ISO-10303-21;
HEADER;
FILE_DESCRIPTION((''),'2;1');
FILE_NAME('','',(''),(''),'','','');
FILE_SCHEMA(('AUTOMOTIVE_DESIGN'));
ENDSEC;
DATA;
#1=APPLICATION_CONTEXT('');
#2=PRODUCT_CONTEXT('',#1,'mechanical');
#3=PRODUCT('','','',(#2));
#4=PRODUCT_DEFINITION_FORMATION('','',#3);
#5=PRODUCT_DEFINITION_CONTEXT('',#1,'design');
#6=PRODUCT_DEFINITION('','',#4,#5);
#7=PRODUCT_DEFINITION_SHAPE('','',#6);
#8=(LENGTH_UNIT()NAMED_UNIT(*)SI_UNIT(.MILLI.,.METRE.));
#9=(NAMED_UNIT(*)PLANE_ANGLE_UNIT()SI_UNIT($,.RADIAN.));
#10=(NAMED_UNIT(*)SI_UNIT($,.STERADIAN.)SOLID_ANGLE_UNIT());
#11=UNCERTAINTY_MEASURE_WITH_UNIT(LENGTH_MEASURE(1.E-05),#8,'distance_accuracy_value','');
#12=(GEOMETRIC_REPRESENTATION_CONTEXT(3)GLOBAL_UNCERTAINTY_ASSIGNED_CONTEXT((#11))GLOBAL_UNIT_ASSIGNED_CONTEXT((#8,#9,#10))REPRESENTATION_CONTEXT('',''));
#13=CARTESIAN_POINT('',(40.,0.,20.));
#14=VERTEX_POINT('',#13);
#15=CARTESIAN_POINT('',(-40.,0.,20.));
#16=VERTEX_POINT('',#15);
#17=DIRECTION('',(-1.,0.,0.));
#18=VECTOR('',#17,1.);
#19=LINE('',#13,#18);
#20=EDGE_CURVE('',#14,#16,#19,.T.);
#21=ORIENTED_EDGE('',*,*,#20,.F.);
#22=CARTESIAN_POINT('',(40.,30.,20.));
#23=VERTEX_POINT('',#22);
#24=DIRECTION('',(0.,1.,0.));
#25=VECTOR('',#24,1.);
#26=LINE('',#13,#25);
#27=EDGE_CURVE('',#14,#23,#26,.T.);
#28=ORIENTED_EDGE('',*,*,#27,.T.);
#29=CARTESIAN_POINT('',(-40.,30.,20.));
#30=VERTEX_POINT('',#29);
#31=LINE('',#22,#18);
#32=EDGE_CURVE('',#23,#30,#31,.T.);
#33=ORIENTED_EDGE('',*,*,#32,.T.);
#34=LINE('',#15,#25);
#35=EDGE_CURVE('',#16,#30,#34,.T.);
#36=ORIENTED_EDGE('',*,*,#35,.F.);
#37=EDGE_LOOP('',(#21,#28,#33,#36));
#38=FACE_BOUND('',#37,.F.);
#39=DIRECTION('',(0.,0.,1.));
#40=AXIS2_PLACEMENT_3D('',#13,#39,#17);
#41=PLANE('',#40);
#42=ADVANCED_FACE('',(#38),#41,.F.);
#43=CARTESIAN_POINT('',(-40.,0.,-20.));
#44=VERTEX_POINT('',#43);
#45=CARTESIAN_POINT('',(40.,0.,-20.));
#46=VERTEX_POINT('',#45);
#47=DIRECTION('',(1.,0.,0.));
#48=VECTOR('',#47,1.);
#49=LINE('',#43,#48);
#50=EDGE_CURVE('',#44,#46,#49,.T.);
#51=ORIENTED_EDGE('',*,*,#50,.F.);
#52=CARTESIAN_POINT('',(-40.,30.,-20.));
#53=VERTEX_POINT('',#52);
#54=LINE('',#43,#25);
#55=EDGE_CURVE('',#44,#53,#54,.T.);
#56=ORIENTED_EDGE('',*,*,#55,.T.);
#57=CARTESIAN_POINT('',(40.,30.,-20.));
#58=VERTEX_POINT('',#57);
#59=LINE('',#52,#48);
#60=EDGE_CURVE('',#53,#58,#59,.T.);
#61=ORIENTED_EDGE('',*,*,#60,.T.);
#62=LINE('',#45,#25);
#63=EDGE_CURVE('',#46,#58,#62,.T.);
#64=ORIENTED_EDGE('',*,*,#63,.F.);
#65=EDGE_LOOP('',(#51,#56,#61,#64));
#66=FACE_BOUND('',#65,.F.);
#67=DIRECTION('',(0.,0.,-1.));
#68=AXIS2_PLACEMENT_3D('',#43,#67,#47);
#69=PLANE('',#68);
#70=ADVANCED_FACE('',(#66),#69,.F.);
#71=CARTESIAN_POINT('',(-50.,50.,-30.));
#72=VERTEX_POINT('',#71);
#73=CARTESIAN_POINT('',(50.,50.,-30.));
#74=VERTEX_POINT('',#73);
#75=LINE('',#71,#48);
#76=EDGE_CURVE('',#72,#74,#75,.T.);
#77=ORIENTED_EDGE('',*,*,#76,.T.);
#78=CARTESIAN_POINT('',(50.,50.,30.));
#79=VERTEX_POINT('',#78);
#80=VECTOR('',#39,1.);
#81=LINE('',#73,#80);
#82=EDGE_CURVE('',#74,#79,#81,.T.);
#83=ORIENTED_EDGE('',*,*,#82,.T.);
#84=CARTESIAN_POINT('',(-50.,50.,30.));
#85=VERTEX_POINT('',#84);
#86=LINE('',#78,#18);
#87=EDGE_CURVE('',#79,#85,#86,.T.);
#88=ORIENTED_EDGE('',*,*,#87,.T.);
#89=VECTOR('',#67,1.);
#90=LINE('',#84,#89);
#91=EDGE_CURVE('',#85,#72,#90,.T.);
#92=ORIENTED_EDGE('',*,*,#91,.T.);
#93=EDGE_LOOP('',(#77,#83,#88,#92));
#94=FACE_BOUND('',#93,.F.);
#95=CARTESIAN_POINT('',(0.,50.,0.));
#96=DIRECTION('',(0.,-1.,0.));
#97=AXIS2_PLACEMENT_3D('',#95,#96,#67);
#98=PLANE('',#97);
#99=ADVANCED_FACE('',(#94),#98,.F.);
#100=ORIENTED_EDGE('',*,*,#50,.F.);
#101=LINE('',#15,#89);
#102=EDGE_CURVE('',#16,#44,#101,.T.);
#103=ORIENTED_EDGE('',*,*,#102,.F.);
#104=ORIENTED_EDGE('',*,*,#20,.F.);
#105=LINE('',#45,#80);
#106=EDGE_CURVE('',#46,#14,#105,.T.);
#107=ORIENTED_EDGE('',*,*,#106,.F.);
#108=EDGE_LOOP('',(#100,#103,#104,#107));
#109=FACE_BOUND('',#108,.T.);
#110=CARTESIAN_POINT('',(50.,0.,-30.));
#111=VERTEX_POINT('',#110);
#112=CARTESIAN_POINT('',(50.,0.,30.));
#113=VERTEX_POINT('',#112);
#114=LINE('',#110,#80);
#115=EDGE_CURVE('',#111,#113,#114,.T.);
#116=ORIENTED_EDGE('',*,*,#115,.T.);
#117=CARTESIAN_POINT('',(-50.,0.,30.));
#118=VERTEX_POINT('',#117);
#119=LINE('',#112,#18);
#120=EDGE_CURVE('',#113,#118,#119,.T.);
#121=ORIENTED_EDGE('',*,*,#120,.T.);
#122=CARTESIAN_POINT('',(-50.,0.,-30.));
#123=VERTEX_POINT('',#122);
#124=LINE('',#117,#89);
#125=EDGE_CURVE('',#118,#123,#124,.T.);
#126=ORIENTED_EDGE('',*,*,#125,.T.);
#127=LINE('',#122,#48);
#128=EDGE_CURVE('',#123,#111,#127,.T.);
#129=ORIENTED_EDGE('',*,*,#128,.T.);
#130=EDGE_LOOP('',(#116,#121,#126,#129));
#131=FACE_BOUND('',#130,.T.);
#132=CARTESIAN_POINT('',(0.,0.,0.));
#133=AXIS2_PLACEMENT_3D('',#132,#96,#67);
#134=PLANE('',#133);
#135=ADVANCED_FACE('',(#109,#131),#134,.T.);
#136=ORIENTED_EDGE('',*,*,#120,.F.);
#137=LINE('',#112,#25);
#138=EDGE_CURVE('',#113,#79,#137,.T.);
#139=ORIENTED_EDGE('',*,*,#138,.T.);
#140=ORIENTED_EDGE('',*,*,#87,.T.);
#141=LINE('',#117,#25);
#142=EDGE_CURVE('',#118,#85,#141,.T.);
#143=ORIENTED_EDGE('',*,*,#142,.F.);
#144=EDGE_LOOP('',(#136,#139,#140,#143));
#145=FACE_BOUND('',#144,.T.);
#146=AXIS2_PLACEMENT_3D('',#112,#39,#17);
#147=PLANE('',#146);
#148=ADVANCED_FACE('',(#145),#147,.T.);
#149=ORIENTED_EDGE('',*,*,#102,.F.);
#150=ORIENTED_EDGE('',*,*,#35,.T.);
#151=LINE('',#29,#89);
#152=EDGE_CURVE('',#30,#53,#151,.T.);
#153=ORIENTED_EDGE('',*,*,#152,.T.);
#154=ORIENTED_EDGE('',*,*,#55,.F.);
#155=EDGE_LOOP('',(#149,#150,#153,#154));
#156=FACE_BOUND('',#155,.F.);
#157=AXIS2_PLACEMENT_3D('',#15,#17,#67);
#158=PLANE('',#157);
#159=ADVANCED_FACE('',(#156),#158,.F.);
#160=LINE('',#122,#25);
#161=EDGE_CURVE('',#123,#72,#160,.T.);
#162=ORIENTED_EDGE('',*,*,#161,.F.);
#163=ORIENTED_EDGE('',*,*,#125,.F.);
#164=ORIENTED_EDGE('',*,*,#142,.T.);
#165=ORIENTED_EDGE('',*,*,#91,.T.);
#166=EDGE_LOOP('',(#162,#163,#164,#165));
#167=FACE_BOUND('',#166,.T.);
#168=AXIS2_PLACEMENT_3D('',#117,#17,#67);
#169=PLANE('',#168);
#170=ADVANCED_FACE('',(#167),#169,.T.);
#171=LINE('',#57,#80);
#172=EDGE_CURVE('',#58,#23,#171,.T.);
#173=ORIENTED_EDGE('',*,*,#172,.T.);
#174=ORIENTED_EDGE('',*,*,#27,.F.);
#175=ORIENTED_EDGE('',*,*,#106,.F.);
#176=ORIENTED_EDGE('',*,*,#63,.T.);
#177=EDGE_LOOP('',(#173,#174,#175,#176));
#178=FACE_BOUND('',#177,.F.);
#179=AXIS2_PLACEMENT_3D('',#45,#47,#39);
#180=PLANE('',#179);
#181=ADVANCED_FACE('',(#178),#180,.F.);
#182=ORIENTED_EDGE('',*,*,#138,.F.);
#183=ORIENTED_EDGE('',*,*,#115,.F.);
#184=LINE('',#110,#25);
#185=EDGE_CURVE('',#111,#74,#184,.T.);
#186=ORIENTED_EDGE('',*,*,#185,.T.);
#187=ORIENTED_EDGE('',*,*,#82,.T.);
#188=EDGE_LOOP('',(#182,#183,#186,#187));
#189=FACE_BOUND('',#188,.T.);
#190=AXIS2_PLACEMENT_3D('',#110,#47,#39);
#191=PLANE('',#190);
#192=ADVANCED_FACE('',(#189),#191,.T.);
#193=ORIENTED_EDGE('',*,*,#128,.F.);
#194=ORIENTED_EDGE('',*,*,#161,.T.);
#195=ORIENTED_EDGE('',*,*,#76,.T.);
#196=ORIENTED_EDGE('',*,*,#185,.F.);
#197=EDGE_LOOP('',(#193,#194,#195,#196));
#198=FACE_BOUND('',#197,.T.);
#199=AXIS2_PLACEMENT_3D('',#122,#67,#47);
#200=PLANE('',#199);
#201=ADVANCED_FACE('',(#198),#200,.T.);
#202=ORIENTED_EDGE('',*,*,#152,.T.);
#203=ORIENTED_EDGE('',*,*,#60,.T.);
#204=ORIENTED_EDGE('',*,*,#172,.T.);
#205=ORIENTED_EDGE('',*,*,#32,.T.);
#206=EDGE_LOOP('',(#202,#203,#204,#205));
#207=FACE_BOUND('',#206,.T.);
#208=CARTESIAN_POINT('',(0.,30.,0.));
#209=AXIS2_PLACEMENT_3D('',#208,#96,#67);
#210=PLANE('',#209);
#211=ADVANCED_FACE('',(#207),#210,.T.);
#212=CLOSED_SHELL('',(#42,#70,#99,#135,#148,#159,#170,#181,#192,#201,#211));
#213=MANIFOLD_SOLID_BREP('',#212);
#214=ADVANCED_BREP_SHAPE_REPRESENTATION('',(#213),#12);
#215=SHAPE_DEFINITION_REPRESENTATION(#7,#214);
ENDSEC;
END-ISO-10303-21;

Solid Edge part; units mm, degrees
sketch "Sketch1" plane through (0, 0, 0) normal (0, -1, 0) x (1, 0, 0)
  line L0 (-50, -30) -> (50, -30)
  line L1 (50, -30) -> (50, 30)
  line L2 (50, 30) -> (-50, 30)
  line L3 (-50, 30) -> (-50, -30)
  dimension "D1" = 100
extrude "Protrusion1" add sketch "Sketch1" against normal blind 50
sketch "Sketch2" plane through (0, 0, 0) normal (0, -1, 0) x (1, 0, 0)
  line L0 (-40, -20) -> (40, -20)
  line L1 (40, -20) -> (40, 20)
  line L2 (40, 20) -> (-40, 20)
  line L3 (-40, 20) -> (-40, -20)
  dimension "D1" = 80
  dimension "D2" = 40
extrude "Вырез_1" cut sketch "Sketch2" against normal blind 30
